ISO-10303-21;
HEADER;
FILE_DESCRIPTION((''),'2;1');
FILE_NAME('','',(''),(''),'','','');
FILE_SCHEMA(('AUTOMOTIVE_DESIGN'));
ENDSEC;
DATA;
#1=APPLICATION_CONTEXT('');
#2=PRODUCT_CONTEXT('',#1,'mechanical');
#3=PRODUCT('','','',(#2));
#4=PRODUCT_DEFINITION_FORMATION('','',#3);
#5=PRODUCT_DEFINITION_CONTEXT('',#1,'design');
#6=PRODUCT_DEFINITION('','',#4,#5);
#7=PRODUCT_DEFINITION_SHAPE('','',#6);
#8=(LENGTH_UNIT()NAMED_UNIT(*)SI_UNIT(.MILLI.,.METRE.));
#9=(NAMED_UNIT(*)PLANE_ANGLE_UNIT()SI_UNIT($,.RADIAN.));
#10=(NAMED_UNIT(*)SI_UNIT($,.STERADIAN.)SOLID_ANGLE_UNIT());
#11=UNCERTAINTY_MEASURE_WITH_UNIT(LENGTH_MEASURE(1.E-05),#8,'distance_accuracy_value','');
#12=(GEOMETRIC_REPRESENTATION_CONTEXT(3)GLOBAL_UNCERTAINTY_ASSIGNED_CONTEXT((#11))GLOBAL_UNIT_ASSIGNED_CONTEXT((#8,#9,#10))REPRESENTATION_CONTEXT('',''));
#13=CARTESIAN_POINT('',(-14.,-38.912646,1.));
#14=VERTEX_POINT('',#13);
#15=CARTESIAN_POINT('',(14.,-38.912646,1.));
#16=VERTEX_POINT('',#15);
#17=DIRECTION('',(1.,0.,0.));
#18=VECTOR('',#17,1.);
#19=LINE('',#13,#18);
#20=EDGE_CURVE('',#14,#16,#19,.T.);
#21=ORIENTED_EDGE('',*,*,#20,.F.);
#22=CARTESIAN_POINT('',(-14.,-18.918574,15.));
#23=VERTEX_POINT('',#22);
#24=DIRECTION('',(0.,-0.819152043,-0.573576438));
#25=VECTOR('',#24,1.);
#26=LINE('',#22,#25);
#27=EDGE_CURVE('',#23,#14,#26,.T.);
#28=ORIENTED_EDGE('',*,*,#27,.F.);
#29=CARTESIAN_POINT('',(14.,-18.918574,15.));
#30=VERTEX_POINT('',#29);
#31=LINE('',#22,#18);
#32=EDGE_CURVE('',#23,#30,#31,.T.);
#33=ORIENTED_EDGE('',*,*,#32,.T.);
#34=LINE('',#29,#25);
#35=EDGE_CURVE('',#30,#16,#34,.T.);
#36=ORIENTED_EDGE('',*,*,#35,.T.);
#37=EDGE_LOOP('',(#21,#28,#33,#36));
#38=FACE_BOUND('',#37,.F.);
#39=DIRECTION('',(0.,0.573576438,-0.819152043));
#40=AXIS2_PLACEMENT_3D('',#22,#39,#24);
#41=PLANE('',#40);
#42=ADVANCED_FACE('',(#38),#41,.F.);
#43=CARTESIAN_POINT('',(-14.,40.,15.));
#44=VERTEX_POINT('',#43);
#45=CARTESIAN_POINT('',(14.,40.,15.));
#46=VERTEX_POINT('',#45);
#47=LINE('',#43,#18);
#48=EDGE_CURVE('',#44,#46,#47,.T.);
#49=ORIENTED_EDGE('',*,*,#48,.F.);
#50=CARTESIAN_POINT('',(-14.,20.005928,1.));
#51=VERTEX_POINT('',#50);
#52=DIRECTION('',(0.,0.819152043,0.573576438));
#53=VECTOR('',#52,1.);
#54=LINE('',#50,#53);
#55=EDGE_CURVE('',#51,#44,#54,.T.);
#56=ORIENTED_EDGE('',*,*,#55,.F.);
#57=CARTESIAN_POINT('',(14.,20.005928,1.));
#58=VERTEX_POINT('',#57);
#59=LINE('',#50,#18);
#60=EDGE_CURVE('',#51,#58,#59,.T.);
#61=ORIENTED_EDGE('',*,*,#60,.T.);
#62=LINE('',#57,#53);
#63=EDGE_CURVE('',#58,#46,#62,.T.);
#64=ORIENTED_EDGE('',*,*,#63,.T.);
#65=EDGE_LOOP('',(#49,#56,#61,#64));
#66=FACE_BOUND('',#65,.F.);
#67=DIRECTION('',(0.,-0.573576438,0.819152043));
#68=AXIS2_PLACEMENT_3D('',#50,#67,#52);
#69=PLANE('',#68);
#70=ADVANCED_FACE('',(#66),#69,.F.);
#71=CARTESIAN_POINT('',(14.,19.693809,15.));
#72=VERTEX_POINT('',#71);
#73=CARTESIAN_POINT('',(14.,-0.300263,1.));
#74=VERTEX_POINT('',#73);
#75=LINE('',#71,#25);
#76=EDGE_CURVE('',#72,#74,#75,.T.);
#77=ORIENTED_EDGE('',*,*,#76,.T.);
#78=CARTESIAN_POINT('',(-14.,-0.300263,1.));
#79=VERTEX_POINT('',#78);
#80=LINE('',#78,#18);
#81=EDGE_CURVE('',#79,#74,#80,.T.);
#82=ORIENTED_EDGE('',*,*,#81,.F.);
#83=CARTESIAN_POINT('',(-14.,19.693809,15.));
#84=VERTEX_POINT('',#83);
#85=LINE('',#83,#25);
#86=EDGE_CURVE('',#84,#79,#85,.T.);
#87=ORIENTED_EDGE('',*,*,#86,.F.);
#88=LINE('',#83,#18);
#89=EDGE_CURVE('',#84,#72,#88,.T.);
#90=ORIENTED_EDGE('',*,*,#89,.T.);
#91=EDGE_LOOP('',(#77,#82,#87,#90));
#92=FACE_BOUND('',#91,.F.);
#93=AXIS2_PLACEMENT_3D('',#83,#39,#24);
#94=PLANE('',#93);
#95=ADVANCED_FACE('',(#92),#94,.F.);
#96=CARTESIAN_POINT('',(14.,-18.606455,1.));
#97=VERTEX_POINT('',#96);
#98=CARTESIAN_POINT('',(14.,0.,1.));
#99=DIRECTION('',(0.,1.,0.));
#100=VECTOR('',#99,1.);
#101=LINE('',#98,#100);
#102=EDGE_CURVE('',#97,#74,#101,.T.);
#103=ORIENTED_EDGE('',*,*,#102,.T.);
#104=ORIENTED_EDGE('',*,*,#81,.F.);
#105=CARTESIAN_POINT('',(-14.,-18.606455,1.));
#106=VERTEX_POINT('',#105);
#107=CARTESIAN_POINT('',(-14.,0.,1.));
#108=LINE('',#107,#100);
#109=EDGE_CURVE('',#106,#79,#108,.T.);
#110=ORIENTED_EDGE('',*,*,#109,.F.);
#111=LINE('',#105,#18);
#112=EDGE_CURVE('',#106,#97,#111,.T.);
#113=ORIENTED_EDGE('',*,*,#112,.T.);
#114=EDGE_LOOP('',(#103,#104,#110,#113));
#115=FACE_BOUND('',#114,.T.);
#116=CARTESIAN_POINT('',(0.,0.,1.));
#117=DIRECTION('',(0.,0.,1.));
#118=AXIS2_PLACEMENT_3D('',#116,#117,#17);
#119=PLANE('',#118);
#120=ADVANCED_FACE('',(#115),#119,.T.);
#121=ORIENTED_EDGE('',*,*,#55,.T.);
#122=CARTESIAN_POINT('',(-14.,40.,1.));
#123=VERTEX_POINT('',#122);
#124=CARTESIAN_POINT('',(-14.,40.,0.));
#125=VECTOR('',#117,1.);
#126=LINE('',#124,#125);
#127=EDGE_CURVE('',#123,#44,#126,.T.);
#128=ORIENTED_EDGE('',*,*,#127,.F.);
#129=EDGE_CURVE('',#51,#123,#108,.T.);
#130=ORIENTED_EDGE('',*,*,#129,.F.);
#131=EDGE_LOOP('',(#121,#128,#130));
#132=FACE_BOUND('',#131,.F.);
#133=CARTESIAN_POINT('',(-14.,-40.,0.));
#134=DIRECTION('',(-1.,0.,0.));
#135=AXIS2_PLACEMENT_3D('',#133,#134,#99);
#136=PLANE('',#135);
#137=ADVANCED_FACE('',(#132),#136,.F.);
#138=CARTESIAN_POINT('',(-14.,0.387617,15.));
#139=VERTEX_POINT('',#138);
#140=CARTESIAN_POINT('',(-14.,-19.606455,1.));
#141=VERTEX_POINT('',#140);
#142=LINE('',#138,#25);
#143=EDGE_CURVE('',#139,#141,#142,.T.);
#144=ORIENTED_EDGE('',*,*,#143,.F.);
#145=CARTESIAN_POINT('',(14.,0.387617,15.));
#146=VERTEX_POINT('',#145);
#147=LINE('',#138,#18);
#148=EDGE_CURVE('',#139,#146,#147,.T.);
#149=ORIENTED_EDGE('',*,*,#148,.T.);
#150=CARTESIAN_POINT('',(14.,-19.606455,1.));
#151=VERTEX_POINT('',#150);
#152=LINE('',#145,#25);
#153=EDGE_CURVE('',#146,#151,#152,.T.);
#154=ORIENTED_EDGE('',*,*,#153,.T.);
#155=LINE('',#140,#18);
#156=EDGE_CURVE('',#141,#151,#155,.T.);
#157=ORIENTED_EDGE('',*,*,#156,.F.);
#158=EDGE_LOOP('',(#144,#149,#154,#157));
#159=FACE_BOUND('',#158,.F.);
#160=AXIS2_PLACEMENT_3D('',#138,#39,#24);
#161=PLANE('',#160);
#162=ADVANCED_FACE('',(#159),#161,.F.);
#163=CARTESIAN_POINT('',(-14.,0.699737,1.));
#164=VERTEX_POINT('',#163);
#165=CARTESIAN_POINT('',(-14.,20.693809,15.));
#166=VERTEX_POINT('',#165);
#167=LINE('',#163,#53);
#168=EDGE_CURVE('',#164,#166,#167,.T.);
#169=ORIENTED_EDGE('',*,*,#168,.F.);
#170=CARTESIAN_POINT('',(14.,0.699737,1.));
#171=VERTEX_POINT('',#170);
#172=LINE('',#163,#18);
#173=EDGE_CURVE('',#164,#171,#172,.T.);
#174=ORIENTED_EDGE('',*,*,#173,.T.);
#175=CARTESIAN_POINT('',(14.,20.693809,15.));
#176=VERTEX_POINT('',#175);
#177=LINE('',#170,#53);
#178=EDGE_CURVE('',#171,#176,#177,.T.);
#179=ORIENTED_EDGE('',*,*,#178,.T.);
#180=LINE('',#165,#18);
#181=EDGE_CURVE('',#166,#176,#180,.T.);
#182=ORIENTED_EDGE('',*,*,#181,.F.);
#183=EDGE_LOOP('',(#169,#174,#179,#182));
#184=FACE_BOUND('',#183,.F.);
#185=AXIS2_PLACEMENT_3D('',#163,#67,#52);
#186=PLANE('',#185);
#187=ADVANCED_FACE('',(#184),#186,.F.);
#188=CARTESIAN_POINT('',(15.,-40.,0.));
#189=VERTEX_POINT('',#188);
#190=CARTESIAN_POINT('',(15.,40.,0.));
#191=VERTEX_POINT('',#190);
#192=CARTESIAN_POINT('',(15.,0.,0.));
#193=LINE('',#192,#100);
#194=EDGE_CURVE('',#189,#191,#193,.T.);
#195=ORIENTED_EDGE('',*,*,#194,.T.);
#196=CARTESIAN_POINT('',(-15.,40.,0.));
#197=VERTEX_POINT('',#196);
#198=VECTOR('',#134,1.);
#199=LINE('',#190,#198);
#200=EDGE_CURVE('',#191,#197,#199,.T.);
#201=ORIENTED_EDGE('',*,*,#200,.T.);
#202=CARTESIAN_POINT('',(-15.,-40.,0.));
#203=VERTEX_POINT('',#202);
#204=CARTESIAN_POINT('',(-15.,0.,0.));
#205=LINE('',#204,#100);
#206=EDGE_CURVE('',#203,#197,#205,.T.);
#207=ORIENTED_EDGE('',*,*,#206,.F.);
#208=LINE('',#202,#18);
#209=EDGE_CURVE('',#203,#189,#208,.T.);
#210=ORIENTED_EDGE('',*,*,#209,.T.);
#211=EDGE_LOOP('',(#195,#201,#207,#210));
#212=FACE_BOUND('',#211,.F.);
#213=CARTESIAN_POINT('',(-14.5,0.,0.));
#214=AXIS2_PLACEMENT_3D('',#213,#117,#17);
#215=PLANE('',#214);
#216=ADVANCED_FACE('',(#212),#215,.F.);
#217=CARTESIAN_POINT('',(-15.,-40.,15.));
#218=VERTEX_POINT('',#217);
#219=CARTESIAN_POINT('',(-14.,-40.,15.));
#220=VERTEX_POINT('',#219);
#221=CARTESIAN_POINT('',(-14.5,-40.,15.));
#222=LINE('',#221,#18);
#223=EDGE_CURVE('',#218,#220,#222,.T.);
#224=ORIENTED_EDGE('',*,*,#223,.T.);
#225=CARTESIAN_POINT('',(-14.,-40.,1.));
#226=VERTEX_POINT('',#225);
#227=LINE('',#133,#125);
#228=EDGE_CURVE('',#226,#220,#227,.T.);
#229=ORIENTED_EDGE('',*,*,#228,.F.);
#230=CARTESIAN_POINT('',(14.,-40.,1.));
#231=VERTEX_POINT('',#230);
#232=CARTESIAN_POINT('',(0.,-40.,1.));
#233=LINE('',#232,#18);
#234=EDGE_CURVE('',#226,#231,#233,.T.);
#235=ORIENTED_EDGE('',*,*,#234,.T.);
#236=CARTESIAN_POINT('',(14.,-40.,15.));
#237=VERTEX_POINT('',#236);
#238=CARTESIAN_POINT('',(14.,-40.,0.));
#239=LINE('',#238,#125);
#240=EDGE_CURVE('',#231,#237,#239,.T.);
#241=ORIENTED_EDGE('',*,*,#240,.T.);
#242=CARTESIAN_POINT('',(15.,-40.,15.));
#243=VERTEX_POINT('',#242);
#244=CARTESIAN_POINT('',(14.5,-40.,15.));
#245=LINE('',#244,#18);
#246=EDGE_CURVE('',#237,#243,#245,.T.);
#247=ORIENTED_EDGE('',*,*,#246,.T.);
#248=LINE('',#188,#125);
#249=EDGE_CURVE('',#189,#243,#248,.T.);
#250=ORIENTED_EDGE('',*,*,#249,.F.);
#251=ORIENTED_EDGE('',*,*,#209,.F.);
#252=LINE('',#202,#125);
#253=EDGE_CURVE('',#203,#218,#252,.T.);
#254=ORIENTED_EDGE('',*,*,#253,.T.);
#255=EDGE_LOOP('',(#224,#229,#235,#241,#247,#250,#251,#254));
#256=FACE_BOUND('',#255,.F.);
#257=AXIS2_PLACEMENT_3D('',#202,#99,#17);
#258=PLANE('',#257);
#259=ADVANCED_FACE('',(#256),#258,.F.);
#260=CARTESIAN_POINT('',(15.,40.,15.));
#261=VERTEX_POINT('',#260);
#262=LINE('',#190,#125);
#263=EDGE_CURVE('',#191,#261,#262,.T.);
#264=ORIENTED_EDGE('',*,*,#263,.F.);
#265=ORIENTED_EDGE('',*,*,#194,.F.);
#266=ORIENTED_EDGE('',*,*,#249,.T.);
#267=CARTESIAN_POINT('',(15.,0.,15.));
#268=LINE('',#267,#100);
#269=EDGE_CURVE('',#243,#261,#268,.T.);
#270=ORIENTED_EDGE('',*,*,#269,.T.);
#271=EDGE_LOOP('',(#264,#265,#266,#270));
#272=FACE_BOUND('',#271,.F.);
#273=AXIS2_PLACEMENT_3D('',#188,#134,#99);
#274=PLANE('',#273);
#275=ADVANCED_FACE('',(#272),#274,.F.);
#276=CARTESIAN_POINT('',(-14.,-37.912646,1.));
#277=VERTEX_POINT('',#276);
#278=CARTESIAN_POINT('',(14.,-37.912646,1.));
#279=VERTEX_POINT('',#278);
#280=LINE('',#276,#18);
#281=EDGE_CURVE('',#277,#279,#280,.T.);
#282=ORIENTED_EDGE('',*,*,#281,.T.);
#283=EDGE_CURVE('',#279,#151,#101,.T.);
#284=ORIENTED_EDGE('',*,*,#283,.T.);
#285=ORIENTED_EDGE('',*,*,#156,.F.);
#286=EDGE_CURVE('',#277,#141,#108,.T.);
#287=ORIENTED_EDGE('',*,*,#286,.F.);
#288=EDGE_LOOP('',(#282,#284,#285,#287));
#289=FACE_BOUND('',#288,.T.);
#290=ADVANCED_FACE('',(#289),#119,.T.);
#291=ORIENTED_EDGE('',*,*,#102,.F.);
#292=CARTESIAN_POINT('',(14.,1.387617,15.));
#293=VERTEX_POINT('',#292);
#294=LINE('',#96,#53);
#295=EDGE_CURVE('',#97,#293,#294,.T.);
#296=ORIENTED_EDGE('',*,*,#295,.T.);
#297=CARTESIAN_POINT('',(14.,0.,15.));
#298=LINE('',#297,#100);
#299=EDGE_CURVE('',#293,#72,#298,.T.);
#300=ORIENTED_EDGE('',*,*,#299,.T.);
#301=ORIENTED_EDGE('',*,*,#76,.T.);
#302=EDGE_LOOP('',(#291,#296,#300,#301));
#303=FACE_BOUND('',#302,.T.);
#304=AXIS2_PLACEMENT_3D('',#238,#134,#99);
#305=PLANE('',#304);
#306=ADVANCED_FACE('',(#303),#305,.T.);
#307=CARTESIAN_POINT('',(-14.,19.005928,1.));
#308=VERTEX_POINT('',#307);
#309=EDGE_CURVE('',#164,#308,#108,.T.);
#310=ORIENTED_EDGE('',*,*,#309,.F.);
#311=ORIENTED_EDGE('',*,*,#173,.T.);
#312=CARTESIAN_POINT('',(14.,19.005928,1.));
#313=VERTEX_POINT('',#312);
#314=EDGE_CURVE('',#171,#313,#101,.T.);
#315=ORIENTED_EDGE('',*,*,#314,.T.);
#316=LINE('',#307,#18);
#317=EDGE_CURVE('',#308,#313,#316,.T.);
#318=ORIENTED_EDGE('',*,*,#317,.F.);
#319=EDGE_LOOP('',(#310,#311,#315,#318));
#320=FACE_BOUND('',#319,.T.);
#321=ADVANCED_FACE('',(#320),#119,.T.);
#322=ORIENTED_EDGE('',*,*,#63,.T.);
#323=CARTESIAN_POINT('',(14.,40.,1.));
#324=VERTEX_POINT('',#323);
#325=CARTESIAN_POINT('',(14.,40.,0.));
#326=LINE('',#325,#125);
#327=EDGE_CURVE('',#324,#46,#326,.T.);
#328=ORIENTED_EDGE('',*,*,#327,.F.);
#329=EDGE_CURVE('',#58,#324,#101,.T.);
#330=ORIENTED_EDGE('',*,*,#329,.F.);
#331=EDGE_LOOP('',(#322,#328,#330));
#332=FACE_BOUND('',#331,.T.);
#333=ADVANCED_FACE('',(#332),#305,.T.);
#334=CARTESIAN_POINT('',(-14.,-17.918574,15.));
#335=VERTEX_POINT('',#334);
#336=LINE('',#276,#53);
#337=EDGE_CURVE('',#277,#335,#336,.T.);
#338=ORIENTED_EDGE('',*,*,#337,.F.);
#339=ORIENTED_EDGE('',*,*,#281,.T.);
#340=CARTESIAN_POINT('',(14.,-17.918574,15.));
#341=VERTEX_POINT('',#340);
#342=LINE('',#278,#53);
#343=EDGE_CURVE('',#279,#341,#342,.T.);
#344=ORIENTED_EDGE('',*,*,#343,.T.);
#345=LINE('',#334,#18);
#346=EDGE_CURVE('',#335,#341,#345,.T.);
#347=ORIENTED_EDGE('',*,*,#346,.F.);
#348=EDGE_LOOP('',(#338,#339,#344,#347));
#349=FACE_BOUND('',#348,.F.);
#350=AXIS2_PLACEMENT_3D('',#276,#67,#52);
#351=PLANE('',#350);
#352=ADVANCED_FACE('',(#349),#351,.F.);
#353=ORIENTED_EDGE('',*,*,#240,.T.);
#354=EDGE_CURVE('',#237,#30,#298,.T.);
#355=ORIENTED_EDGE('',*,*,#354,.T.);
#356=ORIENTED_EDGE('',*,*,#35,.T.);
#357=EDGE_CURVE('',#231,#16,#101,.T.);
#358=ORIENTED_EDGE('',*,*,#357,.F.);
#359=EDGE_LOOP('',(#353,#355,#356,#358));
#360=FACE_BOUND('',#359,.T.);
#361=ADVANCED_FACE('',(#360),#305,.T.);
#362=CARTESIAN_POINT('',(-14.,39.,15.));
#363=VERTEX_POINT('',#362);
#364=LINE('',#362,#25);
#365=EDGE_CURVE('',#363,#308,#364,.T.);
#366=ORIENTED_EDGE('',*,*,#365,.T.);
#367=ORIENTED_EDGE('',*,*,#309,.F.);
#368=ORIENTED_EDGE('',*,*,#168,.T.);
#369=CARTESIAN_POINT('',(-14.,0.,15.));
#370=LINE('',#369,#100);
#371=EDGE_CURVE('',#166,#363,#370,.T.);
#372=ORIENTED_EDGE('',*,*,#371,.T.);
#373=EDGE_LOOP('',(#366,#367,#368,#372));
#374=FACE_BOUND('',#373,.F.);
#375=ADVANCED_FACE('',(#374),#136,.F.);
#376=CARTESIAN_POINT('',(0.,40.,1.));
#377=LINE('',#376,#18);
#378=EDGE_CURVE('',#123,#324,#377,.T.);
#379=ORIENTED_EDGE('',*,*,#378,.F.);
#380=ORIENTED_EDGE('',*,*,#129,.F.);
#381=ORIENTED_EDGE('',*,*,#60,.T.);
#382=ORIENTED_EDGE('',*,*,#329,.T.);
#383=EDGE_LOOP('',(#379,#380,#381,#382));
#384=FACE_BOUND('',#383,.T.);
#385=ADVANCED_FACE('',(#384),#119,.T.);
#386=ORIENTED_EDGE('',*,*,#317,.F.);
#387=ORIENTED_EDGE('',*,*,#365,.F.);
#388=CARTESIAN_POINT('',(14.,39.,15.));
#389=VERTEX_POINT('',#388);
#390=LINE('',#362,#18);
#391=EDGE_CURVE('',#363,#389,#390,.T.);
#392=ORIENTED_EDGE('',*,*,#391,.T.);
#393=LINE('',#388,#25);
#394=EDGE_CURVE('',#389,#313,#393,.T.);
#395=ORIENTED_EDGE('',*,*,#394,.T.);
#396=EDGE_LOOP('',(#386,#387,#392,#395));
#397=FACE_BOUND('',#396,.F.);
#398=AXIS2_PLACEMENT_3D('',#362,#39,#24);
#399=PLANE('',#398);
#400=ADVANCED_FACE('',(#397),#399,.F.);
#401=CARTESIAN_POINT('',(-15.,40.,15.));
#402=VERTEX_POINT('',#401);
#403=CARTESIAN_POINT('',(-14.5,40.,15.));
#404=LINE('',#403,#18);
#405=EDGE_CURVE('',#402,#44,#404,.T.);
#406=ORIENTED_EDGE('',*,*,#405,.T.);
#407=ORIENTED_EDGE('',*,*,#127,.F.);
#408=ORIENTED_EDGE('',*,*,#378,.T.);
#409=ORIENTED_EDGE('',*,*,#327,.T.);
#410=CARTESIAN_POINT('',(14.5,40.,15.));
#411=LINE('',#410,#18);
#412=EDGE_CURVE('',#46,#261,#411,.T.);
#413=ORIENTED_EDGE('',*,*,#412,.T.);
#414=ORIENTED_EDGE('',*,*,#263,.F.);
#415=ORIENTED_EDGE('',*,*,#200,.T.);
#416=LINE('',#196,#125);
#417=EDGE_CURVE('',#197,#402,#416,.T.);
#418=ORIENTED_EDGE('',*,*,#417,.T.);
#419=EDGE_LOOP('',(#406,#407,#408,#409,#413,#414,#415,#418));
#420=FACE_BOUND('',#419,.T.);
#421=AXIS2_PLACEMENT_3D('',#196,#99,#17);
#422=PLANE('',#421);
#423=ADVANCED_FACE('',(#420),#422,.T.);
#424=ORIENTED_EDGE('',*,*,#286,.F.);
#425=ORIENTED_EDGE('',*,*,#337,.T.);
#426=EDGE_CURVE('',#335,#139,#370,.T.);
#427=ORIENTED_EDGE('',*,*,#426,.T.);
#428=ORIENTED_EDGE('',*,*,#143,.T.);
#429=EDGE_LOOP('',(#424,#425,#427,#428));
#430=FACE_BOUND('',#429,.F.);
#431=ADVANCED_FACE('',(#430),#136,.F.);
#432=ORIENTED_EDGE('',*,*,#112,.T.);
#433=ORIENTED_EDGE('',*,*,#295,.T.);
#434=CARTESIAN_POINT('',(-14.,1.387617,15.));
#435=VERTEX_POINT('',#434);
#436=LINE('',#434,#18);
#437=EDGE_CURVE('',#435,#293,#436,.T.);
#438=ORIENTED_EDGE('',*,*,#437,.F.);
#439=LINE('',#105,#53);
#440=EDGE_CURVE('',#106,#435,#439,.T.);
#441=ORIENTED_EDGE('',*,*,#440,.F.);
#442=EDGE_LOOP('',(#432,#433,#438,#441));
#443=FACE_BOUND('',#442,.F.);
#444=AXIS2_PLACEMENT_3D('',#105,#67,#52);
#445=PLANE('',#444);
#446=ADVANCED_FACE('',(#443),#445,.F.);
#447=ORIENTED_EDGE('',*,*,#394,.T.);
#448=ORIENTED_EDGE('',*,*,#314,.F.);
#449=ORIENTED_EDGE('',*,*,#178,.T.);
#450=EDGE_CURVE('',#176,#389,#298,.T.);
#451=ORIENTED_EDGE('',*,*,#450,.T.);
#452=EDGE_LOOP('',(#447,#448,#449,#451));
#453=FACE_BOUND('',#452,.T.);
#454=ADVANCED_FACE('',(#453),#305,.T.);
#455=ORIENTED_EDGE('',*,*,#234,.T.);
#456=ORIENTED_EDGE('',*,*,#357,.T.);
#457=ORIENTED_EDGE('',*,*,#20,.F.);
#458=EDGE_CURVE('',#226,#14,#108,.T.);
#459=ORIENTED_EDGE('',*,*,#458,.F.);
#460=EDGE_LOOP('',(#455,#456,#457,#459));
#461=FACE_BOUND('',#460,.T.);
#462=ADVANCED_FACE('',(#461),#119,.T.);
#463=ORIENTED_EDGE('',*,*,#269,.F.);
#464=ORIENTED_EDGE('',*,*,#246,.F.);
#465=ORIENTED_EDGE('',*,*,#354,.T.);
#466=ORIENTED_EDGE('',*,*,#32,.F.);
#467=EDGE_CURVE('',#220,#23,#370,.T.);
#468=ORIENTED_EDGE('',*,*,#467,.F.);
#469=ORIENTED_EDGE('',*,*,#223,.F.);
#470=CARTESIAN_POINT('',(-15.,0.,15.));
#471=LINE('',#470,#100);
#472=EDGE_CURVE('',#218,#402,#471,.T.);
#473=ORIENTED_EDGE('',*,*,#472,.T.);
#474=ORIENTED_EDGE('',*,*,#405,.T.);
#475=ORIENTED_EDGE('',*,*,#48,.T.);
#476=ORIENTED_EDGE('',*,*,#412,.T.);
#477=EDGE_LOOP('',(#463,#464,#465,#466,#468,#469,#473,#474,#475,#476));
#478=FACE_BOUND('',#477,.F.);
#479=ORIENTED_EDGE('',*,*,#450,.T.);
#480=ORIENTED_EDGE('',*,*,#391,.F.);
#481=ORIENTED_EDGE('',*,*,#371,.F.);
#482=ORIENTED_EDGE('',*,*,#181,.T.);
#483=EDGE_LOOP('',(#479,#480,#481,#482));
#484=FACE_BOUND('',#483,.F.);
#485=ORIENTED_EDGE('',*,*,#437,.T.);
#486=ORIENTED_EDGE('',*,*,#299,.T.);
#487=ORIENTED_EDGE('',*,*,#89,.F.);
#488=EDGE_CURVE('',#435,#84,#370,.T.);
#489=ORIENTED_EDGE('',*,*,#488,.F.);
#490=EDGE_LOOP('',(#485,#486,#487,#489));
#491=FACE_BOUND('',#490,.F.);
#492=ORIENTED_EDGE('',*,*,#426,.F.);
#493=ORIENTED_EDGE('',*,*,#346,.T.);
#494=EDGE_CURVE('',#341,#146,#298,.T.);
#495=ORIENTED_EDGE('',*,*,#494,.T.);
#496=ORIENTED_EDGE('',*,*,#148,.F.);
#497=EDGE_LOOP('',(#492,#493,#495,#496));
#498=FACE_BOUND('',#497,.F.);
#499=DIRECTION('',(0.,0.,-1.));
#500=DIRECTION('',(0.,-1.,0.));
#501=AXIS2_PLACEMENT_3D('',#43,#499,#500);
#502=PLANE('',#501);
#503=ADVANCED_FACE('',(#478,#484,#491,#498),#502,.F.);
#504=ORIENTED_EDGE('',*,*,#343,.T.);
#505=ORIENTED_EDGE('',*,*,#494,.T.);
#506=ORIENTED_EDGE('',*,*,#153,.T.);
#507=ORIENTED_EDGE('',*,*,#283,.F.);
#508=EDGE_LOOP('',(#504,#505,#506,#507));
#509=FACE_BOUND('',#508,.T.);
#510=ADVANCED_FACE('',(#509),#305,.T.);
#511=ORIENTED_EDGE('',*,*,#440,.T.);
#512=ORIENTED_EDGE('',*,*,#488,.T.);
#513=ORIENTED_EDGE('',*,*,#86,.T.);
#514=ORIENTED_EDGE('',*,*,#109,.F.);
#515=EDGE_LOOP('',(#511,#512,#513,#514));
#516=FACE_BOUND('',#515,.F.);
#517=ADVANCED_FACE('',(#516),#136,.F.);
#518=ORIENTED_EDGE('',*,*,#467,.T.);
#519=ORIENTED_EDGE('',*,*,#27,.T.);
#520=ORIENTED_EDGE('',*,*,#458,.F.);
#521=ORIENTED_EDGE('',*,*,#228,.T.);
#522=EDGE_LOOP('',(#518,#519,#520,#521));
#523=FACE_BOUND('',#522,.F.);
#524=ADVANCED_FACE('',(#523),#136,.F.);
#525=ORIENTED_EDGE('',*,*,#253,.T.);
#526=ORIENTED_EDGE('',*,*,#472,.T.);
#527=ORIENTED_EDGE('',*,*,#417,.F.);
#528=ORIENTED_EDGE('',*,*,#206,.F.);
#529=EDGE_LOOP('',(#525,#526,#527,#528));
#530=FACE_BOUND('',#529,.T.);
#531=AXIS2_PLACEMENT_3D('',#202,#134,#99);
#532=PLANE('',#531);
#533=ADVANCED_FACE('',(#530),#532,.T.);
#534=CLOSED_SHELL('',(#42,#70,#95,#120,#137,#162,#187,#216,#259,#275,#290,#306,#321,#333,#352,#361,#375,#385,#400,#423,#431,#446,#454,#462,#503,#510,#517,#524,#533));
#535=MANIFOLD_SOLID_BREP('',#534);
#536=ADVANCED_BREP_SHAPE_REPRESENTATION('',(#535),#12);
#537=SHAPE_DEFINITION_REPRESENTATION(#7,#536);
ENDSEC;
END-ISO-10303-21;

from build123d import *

# Parameters (mm, degrees)
F0_W     = 28
F0_H     = 80
F1_DEPTH = 1
F0_W_2   = 1
F2_DEPTH = 15
F4_DEPTH = 28


with BuildPart() as f1:
    # F0 (on Top) → F1 (new body)
    with BuildSketch(Plane.XY):
        Rectangle(F0_W, F0_H)
    extrude(amount=F1_DEPTH)

    # F0 (on Top) → F2 (join)
    with BuildSketch(Plane.XY):
        with Locations((-14.5, 0)):
            Rectangle(F0_W_2, F0_H)
        with Locations((14.5, 0)):
            Rectangle(F0_W_2, F0_H)
    extrude(amount=F2_DEPTH)

    # F3 (on face) → F4 (join, through all)
    with BuildSketch(Plane.YZ.offset(-14)):
        Polygon((19.005928, 1), (20.005928, 1), (40, 15), (39, 15), align=None)
        Polygon((-0.300263, 1), (0.699737, 1), (20.693809, 15), (19.693809, 15), align=None)
        Polygon((-19.606455, 1), (-18.606455, 1), (1.387617, 15), (0.387617, 15), align=None)
        Polygon((-38.912646, 1), (-37.912646, 1), (-17.918574, 15), (-18.918574, 15), align=None)
    extrude(amount=F4_DEPTH)


solid = f1.part
